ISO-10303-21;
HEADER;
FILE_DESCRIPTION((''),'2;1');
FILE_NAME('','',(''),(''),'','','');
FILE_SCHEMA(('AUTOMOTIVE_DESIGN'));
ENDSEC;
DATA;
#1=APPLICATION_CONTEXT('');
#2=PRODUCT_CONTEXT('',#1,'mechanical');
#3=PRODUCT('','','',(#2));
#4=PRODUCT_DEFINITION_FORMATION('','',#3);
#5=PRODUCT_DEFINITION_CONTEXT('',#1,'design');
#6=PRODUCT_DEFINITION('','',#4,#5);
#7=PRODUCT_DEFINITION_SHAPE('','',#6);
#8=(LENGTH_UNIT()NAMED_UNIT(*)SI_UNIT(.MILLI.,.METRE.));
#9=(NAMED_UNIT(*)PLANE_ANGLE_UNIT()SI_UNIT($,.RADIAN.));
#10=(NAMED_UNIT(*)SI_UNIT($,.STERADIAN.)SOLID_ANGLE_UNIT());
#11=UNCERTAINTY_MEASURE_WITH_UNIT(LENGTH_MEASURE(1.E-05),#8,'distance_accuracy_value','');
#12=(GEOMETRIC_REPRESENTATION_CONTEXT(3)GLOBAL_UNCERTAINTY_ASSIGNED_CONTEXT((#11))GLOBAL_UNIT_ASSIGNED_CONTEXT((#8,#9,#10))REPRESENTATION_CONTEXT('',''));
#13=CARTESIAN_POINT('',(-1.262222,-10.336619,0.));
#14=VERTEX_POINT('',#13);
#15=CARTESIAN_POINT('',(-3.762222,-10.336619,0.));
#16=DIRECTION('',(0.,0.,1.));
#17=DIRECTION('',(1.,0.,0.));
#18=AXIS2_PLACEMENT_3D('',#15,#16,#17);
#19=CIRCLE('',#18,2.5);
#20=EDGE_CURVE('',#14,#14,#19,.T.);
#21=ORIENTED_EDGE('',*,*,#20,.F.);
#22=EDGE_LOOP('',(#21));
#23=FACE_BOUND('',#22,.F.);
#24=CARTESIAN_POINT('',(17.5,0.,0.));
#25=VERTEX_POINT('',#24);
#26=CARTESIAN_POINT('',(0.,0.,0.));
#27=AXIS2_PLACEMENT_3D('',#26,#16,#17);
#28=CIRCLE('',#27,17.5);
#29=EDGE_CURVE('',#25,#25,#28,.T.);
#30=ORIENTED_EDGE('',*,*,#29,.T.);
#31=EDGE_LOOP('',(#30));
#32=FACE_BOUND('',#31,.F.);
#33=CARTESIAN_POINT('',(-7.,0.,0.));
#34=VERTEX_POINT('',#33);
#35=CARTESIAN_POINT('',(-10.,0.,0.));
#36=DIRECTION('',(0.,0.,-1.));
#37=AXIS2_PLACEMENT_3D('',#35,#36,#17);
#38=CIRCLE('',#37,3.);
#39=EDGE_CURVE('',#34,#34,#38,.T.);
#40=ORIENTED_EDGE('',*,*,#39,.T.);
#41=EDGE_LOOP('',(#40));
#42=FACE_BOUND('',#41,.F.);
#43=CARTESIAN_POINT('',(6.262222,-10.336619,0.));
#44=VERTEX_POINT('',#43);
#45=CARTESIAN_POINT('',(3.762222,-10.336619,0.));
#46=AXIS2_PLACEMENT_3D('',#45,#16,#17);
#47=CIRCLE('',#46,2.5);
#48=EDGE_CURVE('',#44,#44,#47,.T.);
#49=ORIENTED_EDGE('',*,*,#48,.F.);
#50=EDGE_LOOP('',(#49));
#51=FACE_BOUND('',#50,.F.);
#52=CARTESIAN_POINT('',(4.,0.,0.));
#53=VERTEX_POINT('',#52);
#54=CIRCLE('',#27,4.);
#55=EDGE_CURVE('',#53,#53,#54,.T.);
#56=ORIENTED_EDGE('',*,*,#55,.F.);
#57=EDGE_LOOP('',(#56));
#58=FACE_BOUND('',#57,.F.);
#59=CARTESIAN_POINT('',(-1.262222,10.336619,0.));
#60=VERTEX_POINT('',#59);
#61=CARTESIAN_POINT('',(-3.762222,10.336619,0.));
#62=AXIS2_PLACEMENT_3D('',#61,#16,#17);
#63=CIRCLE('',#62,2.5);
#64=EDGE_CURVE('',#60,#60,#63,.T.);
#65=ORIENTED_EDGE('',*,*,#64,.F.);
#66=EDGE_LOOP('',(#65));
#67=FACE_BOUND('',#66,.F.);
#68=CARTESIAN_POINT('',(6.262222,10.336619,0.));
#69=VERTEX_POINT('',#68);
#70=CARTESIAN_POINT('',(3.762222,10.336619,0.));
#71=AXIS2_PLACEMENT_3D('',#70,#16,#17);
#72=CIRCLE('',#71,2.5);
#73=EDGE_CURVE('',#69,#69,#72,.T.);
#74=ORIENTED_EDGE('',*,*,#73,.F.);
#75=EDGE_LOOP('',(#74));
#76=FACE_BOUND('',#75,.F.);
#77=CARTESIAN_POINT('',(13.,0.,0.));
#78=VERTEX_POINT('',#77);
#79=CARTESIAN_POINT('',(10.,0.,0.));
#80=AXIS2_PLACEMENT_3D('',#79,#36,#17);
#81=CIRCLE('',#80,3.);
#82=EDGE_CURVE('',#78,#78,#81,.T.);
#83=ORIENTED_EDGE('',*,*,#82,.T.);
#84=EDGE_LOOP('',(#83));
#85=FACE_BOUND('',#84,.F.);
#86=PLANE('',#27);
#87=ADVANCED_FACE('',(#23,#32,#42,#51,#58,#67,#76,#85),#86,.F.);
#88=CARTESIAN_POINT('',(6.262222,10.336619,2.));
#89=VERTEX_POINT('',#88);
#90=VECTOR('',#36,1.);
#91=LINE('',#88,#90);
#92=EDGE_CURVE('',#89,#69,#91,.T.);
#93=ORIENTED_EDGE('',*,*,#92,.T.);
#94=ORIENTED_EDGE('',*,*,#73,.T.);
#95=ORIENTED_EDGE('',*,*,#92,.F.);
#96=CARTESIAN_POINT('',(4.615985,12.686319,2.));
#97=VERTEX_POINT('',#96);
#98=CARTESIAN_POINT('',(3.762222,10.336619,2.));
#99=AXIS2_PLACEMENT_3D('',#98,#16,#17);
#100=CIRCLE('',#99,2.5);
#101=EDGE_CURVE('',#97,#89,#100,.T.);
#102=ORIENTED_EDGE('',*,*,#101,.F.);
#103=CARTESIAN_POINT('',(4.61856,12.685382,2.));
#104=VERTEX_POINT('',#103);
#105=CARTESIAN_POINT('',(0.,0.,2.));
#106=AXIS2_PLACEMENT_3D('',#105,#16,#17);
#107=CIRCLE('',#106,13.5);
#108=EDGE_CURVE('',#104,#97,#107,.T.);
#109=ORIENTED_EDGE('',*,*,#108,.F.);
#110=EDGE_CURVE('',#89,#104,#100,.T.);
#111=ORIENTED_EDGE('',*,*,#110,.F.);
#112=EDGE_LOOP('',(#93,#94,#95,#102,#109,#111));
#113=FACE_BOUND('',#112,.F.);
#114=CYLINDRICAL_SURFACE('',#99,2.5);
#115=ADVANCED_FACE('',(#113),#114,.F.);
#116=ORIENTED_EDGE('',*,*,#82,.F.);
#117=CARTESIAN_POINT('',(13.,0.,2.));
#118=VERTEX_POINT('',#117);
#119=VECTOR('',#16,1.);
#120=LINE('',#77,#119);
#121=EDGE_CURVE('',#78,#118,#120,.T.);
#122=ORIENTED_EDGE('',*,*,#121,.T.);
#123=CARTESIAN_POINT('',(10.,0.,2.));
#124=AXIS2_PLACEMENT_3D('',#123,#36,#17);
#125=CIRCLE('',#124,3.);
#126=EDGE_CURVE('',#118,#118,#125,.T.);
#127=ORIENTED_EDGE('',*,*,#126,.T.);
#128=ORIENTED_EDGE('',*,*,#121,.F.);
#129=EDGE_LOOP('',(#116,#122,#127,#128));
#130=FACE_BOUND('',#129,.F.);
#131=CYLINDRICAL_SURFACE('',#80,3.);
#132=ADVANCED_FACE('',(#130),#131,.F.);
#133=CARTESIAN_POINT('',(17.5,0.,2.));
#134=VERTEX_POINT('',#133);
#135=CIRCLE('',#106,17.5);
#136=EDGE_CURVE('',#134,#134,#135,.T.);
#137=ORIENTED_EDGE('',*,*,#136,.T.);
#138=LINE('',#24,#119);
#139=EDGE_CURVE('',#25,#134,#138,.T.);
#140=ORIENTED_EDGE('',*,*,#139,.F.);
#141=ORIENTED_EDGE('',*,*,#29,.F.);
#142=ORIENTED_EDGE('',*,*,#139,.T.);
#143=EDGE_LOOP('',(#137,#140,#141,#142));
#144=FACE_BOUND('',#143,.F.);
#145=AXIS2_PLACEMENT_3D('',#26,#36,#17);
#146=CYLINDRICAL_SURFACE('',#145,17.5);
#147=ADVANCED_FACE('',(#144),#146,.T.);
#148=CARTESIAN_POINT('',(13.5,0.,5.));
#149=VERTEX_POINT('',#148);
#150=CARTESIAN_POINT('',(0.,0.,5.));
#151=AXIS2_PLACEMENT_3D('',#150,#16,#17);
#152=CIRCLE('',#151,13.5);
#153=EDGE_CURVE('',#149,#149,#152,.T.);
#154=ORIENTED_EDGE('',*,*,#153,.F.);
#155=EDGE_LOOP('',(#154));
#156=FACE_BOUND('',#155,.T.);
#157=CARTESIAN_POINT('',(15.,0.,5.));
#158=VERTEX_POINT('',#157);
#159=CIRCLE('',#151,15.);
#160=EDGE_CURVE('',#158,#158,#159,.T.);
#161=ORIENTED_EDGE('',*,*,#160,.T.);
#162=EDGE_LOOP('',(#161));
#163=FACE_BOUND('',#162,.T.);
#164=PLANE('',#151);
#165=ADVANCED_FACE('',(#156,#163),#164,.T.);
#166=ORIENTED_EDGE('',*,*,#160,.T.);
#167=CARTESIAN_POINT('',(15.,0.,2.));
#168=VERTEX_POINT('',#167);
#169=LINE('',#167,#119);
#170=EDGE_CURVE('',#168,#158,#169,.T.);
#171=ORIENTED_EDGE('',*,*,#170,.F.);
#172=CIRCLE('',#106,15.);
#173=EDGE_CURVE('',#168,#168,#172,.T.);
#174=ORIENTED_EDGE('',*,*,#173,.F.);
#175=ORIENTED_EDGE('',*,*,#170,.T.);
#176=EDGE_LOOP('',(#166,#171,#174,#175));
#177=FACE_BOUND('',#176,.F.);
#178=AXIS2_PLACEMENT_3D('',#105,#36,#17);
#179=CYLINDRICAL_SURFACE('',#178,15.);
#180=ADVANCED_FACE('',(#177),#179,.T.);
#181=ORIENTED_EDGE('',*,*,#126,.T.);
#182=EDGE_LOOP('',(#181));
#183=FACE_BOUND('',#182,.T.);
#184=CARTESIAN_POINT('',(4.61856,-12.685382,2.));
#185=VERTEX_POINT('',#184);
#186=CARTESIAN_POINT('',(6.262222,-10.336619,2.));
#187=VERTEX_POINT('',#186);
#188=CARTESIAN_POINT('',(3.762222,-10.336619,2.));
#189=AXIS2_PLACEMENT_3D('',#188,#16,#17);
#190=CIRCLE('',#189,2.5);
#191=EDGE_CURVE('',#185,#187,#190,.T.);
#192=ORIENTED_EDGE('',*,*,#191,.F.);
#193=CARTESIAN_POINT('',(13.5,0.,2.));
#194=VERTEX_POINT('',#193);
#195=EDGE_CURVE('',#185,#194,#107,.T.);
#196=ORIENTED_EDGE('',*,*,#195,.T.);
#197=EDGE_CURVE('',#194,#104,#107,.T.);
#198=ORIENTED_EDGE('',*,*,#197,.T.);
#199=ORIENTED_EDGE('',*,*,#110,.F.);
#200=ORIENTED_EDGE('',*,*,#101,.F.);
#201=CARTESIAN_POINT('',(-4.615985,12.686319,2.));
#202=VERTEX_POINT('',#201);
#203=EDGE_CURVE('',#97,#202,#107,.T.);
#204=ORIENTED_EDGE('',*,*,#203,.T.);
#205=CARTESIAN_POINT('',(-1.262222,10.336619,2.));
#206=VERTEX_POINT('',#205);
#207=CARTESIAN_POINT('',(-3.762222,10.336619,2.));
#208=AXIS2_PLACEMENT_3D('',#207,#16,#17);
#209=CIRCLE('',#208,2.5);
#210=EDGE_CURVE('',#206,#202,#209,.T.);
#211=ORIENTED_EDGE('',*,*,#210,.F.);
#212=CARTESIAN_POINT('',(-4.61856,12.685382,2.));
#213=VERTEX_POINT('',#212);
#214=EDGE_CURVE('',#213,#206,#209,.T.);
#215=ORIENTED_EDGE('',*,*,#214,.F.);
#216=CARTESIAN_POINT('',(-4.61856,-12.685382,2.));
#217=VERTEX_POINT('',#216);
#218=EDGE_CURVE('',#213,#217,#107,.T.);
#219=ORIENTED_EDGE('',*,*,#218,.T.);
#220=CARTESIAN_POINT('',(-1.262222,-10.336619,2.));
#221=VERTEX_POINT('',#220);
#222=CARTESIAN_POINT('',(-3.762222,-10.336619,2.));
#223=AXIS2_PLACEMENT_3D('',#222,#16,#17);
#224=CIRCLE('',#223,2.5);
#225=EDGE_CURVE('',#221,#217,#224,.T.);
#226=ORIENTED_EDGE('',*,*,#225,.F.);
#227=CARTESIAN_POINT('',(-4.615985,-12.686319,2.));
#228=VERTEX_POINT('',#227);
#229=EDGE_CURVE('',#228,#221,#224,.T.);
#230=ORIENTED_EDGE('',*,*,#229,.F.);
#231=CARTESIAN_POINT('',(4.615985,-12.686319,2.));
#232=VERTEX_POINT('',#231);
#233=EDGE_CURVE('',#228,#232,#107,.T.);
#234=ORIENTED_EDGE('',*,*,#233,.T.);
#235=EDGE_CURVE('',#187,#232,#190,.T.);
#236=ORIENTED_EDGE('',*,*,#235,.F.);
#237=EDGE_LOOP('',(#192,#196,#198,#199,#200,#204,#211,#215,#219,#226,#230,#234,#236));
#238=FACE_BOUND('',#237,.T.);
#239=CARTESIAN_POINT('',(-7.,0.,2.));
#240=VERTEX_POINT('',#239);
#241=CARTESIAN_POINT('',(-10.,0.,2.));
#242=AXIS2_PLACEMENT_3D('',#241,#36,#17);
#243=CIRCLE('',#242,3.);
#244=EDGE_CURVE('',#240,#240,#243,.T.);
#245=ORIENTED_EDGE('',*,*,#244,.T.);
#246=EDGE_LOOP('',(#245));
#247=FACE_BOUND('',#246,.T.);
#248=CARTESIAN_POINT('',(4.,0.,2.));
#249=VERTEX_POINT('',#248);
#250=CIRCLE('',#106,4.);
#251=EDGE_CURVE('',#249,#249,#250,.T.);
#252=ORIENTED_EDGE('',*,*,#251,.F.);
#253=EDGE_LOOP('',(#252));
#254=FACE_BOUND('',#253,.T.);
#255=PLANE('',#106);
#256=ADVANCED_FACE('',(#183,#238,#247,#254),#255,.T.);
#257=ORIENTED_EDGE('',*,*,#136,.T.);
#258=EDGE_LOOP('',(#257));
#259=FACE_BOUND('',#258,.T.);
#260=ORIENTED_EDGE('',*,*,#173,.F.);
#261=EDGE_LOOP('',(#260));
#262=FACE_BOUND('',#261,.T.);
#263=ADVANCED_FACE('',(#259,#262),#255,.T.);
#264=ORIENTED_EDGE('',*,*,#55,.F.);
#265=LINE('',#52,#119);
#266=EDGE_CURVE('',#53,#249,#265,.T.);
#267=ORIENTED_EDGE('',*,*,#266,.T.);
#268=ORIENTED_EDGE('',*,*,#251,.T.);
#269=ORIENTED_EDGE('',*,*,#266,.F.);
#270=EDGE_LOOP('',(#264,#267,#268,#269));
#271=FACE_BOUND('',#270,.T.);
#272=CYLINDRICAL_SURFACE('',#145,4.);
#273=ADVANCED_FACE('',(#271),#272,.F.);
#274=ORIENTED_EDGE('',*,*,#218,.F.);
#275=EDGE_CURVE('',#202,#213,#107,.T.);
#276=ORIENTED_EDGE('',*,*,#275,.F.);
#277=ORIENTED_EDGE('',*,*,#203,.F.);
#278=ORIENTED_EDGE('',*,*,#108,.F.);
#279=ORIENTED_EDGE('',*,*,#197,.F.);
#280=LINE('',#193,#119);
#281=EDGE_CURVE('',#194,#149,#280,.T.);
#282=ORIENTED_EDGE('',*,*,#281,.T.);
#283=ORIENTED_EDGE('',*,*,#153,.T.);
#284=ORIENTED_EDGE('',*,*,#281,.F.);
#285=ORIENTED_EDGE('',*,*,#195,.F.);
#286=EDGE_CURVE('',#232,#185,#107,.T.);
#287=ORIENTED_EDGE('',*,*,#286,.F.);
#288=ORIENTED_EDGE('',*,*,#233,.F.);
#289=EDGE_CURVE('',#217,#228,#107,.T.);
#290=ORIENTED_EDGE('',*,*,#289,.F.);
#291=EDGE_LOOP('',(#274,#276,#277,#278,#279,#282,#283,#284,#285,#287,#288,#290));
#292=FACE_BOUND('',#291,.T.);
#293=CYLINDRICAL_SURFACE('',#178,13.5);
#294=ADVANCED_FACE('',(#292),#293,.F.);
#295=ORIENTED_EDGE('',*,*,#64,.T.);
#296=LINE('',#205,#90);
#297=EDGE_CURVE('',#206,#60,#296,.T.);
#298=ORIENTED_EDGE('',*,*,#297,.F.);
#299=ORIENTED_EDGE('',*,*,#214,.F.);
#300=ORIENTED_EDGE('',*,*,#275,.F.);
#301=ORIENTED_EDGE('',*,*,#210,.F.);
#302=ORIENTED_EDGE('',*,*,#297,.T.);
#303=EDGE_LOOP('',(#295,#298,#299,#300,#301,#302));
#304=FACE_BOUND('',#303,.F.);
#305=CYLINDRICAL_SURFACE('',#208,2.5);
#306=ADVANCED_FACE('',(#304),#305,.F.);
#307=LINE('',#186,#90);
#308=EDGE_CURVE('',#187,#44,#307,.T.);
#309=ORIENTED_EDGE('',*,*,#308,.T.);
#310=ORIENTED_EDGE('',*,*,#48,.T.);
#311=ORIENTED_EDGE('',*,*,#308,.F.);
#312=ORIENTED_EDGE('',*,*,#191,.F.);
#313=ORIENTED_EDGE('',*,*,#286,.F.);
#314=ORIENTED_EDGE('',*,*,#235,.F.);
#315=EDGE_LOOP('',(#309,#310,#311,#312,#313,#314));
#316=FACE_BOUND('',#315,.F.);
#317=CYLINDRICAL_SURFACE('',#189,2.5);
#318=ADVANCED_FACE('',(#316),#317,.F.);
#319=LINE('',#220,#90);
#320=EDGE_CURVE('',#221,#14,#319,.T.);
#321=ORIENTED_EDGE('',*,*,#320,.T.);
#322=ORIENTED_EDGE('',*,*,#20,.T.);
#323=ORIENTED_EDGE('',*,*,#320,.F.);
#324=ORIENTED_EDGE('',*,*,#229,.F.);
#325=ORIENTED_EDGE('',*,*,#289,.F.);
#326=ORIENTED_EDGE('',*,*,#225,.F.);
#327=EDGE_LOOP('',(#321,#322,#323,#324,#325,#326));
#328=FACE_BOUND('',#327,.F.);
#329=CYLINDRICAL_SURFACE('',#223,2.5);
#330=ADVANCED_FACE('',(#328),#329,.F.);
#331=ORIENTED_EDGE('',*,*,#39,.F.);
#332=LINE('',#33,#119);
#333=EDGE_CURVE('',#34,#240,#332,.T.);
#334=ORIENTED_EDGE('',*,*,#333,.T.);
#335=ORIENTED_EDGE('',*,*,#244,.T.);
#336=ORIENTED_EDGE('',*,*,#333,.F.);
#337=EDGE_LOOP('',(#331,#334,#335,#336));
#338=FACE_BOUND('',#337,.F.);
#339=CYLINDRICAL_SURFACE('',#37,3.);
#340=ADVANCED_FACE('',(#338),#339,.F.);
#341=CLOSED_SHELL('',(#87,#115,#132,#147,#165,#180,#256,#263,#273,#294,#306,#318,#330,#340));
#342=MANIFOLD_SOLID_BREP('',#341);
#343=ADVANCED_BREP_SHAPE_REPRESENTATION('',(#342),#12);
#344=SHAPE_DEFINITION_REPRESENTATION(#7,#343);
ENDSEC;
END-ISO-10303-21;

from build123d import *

# Parameters (mm, degrees)
SKETCH_R        = 17.5
SKETCH_R_2      = 4
PAD_DEPTH       = 2
SKETCH001_R     = 15
SKETCH001_R_2   = 13.5
PAD001_DEPTH    = 3
SKETCH002_R     = 3
POCKET_DEPTH    = 5
SKETCH004_R     = 2.5
POCKET001_DEPTH = 2.001


with BuildPart() as part:
    # Sketch → Pad (new body)
    with BuildSketch(Plane.XY):
        Circle(SKETCH_R)
        Circle(SKETCH_R_2, mode=Mode.SUBTRACT)
    extrude(amount=PAD_DEPTH)

    # Sketch001 (on Face4 of Pad) → Pad001 (join)
    with BuildSketch(Plane.XY.offset(2)):
        Circle(SKETCH001_R)
        Circle(SKETCH001_R_2, mode=Mode.SUBTRACT)
    extrude(amount=PAD001_DEPTH)

    # Sketch002 (on Face2 of Pad001) → Pocket (cut)
    with BuildSketch(Plane(origin=(0, 0, 0), x_dir=(1, 0, 0), z_dir=(0, 0, -1))):
        with Locations((-10, 0)):
            Circle(SKETCH002_R)
        with Locations((10, 0)):
            Circle(SKETCH002_R)
    extrude(amount=-POCKET_DEPTH, mode=Mode.SUBTRACT)

    # Sketch004 (on Face8 of Pocket) → Pocket001 (cut, through all)
    with BuildSketch(Plane.XY.offset(2)):
        with Locations((3.762222, -10.336619)):
            Circle(SKETCH004_R)
        with Locations((-3.762222, -10.336619)):
            Circle(SKETCH004_R)
        with Locations((3.762222, 10.336619)):
            Circle(SKETCH004_R)
        with Locations((-3.762222, 10.336619)):
            Circle(SKETCH004_R)
    extrude(amount=-POCKET001_DEPTH, mode=Mode.SUBTRACT)


solid = part.part
